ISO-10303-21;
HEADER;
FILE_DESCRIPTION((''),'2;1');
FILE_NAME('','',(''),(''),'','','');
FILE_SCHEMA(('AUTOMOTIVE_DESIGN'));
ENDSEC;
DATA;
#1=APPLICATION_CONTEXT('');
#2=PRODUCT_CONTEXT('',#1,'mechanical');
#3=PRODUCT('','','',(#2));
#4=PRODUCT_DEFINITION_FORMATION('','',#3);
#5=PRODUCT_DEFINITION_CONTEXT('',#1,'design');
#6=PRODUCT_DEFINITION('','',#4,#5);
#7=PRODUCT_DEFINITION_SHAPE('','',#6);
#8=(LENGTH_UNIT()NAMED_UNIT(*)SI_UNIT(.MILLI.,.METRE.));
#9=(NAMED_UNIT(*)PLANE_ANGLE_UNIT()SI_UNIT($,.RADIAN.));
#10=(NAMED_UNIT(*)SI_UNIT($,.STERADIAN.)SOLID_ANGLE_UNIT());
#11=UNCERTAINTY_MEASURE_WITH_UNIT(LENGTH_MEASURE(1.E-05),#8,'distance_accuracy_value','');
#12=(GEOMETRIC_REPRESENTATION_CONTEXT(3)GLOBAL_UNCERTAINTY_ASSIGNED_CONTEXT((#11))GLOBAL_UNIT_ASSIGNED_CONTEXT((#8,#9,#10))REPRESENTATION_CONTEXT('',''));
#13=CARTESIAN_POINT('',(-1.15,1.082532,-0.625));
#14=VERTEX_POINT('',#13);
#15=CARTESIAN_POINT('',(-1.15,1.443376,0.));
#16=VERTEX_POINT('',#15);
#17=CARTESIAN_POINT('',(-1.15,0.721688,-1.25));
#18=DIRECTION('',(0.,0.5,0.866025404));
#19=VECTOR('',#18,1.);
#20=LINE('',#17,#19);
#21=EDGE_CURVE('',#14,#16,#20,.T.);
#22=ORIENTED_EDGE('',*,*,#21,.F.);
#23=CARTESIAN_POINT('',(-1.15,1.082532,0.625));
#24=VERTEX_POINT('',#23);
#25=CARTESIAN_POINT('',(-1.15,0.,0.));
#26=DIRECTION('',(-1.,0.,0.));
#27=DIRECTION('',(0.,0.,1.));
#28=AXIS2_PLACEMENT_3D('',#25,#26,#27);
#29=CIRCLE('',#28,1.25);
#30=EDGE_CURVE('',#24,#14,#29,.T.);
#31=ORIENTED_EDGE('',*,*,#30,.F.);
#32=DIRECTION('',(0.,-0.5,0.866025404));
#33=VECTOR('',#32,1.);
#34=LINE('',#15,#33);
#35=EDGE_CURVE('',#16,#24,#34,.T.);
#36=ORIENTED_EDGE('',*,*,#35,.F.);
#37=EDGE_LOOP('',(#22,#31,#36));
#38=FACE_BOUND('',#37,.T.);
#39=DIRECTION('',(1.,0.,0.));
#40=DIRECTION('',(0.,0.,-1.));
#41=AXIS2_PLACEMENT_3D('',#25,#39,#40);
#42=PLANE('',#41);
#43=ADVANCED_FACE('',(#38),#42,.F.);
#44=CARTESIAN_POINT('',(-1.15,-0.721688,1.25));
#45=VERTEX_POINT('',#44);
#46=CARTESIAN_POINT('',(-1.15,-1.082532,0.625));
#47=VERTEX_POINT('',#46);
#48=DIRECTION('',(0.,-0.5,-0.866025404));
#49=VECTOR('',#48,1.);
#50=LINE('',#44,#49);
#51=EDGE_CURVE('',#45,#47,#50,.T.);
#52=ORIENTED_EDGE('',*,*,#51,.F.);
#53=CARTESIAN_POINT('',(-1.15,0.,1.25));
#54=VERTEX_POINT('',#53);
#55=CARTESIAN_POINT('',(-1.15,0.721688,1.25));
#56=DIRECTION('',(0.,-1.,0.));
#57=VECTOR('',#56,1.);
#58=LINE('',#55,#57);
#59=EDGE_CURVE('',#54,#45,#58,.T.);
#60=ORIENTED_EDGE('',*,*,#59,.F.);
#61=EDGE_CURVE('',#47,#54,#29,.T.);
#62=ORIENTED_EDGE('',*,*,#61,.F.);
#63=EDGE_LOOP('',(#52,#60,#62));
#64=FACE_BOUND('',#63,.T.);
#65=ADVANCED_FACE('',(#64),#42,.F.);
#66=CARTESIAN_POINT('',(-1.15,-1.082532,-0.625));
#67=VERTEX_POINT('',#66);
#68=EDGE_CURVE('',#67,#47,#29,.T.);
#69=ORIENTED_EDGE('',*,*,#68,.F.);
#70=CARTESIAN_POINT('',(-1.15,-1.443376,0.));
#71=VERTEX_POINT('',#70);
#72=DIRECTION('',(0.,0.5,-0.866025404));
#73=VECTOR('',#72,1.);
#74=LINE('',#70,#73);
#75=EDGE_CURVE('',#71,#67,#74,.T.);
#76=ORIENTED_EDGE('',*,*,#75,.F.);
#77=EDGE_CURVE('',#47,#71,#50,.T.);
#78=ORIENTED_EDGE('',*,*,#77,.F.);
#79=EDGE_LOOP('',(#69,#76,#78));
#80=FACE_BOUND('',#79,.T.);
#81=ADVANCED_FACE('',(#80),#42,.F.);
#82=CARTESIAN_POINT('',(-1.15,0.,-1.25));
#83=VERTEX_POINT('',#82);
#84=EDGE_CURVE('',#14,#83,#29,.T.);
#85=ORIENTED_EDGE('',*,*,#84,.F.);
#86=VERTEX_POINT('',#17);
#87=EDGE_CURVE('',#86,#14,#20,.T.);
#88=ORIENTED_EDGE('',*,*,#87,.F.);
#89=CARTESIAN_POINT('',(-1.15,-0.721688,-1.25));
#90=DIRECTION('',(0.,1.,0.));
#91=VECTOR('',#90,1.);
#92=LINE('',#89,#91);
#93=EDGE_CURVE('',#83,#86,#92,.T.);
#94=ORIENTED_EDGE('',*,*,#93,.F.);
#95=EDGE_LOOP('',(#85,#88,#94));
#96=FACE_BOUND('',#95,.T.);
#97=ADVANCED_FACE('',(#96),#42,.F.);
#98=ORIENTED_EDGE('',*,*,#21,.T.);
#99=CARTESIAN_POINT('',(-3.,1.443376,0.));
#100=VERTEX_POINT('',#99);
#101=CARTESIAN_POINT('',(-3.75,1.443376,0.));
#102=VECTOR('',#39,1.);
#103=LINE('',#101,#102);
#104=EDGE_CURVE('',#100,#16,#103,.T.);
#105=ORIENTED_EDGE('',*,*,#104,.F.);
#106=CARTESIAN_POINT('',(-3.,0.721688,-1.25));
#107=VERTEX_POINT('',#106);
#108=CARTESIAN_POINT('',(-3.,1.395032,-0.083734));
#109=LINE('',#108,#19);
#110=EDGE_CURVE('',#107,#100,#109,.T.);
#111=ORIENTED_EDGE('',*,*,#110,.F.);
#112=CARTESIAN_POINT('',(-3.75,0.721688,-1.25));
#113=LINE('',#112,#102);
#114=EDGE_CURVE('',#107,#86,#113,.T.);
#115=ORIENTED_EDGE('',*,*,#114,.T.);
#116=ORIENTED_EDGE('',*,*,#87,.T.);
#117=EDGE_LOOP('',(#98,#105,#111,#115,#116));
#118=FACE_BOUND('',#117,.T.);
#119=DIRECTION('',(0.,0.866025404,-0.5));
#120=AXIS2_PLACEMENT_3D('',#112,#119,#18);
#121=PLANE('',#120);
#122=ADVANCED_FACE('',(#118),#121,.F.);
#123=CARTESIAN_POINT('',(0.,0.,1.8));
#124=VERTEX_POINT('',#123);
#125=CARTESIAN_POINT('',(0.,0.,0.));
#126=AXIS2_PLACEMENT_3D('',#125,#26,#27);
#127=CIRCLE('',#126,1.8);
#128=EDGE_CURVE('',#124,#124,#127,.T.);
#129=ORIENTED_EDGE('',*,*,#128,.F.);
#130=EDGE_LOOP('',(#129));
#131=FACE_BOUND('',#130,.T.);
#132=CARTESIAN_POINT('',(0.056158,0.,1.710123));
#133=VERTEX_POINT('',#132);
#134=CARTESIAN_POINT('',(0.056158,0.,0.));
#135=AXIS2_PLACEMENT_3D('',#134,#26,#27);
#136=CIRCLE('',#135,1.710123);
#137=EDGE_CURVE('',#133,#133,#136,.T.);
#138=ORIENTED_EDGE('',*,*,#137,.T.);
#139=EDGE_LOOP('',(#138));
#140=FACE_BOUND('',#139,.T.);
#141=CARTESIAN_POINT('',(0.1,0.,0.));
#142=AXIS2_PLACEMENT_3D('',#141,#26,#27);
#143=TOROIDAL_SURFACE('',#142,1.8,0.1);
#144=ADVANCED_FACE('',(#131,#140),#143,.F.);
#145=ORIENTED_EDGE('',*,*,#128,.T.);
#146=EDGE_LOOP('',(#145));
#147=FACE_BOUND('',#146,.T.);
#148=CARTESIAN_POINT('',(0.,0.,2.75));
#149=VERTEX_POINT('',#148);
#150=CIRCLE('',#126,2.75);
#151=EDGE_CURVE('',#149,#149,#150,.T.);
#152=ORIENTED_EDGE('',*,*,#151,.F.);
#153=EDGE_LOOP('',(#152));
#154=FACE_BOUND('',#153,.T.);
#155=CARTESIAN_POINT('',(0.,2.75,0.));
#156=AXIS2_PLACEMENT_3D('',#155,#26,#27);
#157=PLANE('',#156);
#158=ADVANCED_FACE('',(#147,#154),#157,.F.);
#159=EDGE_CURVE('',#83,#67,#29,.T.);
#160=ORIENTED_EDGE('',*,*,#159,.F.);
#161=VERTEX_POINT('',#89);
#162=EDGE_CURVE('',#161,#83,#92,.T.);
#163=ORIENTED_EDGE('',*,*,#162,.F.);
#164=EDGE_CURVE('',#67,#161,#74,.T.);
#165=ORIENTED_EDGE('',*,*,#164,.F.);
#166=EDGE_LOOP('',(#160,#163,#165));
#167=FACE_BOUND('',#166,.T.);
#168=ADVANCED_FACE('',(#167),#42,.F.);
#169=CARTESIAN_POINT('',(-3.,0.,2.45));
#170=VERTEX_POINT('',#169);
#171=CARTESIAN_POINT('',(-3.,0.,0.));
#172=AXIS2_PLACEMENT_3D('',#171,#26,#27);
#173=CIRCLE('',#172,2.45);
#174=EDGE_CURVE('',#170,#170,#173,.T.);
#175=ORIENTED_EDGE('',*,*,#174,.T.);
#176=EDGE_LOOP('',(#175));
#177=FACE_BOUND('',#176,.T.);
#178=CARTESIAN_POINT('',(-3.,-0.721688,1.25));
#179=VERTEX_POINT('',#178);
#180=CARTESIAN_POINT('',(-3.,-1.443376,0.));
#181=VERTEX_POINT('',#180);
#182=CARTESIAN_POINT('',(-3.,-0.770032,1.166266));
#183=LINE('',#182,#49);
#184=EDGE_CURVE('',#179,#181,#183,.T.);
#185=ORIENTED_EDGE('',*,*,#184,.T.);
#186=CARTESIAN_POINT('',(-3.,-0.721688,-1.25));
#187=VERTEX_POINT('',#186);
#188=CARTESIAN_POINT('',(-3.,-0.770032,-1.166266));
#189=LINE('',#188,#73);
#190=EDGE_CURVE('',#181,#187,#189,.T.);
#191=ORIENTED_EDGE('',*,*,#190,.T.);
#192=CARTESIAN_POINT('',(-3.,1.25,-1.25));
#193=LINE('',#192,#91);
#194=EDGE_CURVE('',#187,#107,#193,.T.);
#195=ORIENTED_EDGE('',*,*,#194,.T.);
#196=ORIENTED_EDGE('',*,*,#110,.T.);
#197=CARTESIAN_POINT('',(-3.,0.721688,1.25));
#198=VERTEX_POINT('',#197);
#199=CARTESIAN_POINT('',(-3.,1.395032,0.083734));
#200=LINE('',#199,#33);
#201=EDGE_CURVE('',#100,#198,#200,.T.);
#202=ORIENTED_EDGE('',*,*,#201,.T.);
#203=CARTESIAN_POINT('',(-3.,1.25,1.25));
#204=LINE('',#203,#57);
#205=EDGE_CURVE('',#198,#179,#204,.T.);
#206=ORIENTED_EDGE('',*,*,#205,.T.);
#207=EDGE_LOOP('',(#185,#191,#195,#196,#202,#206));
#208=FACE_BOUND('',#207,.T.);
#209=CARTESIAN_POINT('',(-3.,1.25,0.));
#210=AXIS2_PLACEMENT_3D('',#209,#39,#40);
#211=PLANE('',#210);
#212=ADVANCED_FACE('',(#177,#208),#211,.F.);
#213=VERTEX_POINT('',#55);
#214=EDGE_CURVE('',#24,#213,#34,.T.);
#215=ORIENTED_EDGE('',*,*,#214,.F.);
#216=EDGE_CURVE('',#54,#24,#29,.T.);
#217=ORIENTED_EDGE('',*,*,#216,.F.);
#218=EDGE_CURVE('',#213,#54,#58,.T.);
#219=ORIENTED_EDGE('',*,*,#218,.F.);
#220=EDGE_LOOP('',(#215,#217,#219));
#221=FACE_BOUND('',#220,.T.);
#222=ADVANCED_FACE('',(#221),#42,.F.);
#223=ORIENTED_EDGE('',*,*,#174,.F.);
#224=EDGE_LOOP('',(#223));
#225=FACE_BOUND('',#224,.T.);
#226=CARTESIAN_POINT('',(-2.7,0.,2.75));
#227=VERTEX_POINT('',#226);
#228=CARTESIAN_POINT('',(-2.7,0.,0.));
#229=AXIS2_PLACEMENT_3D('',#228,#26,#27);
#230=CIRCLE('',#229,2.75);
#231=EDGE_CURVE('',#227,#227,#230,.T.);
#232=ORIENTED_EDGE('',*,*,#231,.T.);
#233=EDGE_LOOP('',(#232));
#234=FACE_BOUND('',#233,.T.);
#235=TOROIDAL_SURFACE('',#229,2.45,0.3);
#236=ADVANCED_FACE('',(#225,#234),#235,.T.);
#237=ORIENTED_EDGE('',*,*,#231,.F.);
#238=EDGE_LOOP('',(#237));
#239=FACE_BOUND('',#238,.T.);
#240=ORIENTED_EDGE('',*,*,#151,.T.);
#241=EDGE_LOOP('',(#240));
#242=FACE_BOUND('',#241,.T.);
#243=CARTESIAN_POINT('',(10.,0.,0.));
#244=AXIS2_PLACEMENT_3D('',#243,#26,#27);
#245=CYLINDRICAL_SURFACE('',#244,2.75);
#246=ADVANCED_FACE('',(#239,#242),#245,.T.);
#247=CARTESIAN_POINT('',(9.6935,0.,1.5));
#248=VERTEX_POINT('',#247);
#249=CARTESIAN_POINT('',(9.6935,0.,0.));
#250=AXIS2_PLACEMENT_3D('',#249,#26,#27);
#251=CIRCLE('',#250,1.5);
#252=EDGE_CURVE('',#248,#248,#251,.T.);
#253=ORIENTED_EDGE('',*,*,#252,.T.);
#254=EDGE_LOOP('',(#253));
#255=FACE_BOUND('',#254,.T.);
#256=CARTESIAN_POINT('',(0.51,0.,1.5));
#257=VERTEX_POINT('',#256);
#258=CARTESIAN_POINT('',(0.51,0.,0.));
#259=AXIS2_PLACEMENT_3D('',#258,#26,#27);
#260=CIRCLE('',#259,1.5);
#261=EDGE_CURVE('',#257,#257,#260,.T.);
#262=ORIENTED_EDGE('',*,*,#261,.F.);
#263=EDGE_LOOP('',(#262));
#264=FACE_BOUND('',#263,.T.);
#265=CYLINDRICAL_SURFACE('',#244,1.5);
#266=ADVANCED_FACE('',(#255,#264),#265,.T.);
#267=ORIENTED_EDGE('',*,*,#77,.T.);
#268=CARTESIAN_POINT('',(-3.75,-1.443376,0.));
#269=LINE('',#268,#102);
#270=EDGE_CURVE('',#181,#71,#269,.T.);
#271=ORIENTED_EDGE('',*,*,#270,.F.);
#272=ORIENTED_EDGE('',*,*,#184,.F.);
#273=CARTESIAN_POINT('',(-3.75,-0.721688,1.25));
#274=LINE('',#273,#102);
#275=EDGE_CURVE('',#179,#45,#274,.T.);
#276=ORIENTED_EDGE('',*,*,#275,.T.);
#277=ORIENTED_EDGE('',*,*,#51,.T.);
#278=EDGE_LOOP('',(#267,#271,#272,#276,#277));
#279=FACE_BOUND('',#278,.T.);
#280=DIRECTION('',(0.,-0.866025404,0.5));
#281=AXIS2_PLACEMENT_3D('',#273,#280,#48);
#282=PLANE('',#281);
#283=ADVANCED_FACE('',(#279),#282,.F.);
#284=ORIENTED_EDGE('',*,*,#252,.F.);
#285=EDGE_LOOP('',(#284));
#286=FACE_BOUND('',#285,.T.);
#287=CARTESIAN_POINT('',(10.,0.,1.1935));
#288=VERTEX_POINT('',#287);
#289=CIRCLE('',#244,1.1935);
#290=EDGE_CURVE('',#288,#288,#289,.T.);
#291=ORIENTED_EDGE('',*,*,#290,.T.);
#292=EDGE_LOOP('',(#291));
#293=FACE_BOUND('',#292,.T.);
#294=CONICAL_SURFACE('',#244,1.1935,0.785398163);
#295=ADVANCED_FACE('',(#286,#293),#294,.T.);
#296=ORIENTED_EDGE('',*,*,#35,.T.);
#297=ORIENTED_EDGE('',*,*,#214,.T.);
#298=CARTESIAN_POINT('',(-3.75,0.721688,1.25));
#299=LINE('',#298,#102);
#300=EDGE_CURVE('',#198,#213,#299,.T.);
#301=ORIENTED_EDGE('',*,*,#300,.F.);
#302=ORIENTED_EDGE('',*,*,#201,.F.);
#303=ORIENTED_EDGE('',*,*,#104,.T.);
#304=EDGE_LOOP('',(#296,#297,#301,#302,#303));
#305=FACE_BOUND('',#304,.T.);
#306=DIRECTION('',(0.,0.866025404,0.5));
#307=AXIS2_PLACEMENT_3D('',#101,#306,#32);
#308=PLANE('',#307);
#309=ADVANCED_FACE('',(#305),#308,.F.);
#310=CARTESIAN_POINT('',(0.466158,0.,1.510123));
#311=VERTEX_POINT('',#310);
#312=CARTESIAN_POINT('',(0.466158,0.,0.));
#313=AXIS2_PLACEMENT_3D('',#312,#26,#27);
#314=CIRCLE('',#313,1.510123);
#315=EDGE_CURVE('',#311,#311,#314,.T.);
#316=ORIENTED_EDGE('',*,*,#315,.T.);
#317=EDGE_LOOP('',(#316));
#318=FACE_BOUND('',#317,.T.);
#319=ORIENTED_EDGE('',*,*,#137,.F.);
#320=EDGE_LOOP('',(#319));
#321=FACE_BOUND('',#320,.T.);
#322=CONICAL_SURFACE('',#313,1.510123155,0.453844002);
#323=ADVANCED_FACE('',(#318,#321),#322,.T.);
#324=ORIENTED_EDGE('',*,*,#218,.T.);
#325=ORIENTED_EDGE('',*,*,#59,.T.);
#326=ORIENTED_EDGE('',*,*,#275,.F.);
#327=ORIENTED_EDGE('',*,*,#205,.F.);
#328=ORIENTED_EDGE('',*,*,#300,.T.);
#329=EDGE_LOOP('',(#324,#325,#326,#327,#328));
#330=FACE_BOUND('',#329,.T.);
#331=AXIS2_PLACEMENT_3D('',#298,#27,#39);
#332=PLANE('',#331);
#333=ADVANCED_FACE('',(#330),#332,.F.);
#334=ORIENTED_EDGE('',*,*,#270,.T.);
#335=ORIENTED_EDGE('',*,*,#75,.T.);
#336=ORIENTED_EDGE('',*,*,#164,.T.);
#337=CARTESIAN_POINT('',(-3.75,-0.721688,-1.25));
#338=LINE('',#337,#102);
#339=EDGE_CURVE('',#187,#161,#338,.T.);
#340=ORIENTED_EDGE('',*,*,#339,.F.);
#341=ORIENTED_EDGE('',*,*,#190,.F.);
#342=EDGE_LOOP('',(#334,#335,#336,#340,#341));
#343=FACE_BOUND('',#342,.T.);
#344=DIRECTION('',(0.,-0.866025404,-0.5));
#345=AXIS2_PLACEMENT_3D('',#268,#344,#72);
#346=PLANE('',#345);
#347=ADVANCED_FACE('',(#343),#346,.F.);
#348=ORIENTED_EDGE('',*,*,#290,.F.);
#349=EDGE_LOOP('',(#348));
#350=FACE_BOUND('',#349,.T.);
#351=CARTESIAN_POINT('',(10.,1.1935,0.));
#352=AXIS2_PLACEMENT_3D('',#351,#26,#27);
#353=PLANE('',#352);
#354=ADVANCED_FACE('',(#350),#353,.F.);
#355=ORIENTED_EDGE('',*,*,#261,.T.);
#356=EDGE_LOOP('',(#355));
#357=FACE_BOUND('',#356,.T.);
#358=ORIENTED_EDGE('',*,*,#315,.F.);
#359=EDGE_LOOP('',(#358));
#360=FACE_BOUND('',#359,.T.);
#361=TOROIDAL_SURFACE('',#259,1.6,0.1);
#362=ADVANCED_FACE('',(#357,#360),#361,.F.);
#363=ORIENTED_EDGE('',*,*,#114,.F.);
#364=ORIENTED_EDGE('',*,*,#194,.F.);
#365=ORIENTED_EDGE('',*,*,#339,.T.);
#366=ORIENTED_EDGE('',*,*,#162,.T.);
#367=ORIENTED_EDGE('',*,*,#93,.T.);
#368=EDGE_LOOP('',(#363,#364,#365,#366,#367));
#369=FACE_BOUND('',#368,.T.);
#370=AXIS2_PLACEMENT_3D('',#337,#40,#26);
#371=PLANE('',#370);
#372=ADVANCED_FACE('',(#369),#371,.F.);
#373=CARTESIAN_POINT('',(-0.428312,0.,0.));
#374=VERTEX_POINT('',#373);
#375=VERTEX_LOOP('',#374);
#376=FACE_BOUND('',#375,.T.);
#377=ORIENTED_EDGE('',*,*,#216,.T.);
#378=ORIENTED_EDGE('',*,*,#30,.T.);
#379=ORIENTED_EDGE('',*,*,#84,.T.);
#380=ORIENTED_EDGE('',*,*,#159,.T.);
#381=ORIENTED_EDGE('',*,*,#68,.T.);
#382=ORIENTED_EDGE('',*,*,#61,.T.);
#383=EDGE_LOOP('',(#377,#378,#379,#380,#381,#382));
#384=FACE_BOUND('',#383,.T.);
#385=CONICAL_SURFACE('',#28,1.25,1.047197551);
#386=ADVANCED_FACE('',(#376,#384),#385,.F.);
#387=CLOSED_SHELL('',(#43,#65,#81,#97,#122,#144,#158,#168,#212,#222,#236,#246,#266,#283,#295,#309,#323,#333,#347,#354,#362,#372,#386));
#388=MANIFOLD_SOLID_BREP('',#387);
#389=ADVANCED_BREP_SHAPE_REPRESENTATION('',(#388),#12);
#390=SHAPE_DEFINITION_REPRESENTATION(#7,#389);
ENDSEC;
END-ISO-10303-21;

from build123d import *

# Parameters (mm, degrees)
CUT_EXTRUDE_1_DEPTH = 2.6
SKETCH_3_R          = 2.0625
EXTRUDE_1_DEPTH     = 1.5


with BuildPart() as part:
    # 草图1 → 旋转1 (revolve)
    with BuildSketch(Plane.XY, mode=Mode.PRIVATE) as revolve_1_sk:
        with BuildLine():
            Line((-0.428312164, 0), (-1.15, 1.25))
            Line((-1.15, 1.25), (-3, 1.25))
            Line((-3, 1.25), (-3, 2.45))
            ThreePointArc((-3, 2.45), (-2.912132034, 2.662132034), (-2.7, 2.75))
            Line((-2.7, 2.75), (0, 2.75))
            Line((0, 2.75), (0, 1.8))
            ThreePointArc((0, 1.8), (0.015193643, 1.74701055), (0.056157637, 1.710123155))
            Line((0.056157637, 1.710123155), (0.466157637, 1.510123155))
            ThreePointArc((0.466157637, 1.510123155), (0.48750205, 1.50256365), (0.51, 1.5))
            Line((0.51, 1.5), (9.6935, 1.5))
            Line((9.6935, 1.5), (10, 1.1935))
            Line((10, 1.1935), (10, 0))
            Line((10, 0), (-0.428312164, 0))
        make_face()
    revolve(revolve_1_sk.sketch.rotate(Axis((10, 0, 0), (-1, 0, 0)), 270), axis=Axis((10, 0, 0), (-1, 0, 0)))

    # 草图2 → 切除-拉伸1 (cut)
    with BuildSketch(Plane(origin=(-1.15, 0, 0), x_dir=(0, 0, -1), z_dir=(1, 0, 0))):
        Polygon((-1.25, 0.721687836), (-1.25, -0.721687836), (0, -1.443375673), (1.25, -0.721687836), (1.25, 0.721687836), (0, 1.443375673), align=None)
    extrude(amount=-CUT_EXTRUDE_1_DEPTH, mode=Mode.SUBTRACT)


with BuildPart() as body_2:
    # 草图3 → 凸台-拉伸1 (new body)
    with BuildSketch(Plane(origin=(0, 0, 0), x_dir=(0, 0, -1), z_dir=(1, 0, 0))):
        Circle(SKETCH_3_R)
    extrude(amount=-EXTRUDE_1_DEPTH)

    # Delete Face 1: 1 face struck out; the rest of the skin is kept as a surface, the solid goes
    delete_face_1_1_drop = [body_2.part.faces().sort_by_distance(Vector(p))[0] for p in ((-1.5, 0, 0),)]
    delete_face_1_1 = Shell(body_2.part.faces() - delete_face_1_1_drop)


solid = part.part
